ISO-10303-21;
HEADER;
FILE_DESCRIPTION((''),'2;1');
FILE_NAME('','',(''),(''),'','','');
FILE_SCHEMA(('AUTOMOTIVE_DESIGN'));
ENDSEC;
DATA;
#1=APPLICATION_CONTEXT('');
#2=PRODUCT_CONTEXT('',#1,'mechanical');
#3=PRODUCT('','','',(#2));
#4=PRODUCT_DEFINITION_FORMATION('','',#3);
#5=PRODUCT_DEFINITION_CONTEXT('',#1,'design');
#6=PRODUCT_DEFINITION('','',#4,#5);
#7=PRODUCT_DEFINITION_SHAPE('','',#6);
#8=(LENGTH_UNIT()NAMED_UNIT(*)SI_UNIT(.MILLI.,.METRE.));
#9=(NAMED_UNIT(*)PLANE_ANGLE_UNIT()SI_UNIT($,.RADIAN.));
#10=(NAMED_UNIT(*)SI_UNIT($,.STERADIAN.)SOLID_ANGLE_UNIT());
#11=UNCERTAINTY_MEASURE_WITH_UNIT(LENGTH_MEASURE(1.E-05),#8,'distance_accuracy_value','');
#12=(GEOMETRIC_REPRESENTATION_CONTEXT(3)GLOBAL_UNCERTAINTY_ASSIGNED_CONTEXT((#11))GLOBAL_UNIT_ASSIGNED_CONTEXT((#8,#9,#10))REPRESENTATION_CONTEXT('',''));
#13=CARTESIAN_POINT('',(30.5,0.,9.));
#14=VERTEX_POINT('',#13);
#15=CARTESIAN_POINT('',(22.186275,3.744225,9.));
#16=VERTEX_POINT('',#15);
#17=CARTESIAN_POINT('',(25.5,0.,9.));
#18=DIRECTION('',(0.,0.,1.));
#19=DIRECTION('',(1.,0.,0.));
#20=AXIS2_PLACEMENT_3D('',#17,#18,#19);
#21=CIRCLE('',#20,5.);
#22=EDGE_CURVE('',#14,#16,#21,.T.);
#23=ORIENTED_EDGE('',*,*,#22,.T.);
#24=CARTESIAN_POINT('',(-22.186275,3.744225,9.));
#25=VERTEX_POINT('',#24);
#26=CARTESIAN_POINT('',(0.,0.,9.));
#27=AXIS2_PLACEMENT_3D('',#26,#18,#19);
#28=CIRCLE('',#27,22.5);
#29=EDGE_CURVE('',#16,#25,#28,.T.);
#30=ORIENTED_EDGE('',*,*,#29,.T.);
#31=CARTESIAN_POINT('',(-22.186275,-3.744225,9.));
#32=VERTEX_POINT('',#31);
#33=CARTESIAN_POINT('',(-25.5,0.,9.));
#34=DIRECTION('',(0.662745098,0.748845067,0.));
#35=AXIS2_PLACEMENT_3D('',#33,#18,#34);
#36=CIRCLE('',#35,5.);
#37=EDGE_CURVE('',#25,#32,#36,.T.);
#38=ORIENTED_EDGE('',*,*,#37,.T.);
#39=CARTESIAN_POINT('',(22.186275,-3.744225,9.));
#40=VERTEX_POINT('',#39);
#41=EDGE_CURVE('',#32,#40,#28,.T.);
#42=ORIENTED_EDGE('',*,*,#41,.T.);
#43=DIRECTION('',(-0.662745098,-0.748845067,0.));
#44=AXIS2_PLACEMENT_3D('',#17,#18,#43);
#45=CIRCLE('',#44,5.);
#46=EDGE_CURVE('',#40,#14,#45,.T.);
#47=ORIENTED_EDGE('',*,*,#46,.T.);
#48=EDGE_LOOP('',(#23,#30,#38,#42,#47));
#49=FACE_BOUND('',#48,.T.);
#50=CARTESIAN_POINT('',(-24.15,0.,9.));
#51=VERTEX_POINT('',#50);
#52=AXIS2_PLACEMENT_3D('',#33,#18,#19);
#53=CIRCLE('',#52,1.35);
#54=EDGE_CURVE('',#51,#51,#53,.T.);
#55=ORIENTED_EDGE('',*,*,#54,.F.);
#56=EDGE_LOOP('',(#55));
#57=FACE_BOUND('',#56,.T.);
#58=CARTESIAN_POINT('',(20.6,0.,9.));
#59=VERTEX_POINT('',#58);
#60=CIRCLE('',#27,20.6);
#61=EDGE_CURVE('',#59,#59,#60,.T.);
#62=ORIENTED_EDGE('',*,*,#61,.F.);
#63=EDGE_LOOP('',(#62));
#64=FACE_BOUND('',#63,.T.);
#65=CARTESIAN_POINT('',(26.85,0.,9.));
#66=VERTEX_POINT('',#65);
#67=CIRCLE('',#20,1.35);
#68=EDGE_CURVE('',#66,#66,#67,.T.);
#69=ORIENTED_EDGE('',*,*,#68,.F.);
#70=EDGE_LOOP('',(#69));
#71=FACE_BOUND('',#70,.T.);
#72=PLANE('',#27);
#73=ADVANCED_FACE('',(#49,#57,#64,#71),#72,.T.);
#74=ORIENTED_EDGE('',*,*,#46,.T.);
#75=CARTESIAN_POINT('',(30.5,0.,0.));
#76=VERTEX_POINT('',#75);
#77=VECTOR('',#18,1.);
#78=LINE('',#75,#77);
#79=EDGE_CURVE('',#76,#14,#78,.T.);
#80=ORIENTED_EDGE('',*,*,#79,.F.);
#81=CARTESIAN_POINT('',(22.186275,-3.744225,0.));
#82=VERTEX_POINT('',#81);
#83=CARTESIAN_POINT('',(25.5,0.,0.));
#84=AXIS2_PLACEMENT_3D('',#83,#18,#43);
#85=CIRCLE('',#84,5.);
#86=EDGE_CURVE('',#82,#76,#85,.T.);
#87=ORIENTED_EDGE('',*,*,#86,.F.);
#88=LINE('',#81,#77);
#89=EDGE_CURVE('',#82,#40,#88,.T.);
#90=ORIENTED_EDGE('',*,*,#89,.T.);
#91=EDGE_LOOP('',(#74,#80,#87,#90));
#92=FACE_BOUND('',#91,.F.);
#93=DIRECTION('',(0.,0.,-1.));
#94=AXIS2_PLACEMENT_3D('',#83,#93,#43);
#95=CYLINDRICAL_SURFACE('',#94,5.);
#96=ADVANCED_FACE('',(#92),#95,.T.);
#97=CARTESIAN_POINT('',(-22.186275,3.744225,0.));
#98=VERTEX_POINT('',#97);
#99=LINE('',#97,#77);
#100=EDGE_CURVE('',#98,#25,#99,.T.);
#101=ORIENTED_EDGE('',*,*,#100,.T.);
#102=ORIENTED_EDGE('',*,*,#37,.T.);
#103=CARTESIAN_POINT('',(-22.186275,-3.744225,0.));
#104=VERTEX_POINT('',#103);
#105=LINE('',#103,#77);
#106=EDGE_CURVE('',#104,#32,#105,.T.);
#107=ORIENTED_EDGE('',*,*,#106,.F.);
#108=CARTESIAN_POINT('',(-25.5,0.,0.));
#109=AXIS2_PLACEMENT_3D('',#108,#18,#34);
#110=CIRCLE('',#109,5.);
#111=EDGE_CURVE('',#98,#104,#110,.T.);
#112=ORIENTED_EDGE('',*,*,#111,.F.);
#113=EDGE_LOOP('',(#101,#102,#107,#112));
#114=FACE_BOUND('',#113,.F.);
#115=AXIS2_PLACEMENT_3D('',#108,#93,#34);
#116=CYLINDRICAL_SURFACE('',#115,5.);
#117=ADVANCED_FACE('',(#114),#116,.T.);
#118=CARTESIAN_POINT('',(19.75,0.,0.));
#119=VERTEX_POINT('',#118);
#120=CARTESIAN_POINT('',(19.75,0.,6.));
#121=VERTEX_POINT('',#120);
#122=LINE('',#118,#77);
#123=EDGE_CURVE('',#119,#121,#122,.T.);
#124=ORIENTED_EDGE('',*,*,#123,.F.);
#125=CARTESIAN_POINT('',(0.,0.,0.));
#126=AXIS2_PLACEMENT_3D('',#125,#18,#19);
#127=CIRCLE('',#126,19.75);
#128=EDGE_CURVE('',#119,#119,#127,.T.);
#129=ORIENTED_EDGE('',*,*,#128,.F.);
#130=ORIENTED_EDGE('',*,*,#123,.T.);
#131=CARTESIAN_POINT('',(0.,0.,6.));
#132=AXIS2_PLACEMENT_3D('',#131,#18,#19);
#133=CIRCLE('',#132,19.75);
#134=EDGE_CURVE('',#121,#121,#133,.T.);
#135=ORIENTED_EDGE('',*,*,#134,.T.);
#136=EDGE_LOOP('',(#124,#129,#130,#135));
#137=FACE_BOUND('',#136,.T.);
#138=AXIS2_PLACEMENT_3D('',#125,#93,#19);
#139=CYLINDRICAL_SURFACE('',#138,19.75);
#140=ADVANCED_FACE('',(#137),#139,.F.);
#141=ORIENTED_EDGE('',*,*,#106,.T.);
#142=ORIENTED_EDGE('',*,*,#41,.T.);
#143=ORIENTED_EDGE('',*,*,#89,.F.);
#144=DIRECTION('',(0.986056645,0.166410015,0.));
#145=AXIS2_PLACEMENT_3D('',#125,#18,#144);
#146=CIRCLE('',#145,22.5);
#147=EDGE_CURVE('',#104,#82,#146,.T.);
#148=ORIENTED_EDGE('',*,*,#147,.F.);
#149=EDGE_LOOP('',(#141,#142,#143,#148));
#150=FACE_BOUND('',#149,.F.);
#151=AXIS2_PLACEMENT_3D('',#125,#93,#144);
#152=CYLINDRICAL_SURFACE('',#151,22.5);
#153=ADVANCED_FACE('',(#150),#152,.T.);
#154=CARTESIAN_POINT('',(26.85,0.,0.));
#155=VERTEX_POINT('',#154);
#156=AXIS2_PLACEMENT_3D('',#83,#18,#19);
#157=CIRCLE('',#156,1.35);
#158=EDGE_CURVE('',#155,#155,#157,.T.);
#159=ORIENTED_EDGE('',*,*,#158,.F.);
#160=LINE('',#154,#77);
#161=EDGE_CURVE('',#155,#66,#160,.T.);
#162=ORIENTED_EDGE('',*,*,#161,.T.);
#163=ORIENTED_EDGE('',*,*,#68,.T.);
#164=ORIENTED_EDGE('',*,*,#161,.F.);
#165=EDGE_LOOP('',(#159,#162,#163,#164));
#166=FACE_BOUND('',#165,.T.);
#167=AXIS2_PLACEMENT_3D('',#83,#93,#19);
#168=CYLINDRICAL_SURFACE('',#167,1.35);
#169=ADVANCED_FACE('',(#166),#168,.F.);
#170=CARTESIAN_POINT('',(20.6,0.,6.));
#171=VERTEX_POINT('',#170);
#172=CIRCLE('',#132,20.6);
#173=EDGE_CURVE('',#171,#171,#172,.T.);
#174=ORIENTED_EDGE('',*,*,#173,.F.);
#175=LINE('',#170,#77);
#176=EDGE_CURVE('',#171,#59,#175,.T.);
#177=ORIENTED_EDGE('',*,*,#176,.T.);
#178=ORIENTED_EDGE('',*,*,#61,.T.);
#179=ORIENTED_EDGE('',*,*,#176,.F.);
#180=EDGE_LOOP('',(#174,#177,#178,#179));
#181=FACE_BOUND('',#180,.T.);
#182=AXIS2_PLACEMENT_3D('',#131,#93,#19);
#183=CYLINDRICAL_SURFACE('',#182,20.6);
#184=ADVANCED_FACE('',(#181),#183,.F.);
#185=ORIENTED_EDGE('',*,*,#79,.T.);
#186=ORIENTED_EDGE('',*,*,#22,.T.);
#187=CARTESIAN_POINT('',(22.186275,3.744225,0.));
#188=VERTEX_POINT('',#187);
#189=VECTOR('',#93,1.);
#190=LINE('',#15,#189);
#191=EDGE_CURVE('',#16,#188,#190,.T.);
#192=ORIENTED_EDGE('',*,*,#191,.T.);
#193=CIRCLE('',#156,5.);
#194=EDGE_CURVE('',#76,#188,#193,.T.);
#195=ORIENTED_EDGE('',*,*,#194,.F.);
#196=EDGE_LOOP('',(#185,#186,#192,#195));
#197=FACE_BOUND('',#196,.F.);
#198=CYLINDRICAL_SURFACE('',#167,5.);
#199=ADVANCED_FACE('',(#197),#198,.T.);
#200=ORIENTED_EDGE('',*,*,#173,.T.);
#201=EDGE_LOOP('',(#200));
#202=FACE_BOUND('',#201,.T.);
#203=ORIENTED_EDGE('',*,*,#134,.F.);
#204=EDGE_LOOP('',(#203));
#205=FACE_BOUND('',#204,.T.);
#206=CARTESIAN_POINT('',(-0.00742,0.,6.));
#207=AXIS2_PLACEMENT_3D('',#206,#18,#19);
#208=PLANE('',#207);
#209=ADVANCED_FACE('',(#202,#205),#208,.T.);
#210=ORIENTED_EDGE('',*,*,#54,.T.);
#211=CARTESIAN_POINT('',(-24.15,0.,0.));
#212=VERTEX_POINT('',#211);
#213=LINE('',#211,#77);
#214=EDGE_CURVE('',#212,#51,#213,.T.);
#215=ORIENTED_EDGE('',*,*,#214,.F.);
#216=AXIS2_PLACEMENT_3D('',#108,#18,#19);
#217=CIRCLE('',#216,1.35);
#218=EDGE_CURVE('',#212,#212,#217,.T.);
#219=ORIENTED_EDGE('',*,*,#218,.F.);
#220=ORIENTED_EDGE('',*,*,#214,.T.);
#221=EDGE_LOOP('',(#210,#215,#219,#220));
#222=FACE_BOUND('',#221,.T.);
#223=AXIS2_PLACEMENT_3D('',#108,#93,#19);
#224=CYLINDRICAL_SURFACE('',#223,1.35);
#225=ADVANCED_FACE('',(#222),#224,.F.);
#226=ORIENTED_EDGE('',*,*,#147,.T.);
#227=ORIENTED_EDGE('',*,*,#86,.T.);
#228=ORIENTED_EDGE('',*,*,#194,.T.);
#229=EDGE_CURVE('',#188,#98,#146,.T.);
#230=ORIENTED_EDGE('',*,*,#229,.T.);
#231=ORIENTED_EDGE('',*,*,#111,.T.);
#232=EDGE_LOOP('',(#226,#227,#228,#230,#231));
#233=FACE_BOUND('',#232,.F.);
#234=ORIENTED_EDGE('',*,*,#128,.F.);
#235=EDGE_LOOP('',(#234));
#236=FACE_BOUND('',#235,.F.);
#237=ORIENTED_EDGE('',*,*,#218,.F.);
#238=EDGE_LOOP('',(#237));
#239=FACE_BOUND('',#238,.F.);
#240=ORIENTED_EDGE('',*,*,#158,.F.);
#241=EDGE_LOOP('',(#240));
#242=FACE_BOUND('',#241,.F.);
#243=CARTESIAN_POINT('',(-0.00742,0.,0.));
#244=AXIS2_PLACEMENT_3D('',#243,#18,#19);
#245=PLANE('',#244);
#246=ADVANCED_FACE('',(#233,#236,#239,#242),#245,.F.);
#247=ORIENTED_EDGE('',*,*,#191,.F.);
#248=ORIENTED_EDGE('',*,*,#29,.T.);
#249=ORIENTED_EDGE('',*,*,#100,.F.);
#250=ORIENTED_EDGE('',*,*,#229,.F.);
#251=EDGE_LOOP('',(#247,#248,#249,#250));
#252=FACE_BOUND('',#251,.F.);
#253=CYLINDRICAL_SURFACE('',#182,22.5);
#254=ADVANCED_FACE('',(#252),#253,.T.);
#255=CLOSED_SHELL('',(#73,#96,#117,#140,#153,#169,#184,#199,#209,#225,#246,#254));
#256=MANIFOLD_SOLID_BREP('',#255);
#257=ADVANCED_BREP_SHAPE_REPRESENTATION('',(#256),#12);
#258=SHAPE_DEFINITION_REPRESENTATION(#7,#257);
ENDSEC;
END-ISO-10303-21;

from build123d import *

# Parameters (mm, degrees)
F0_R     = 1.35
F1_DEPTH = 9
F0_R_2   = 19.75
F2_DEPTH = 6
F3_R     = 22.5
F3_R_2   = 20.6
F4_DEPTH = 3


with BuildPart() as f1:
    # F0 (on Top) → F1 (new body)
    with BuildSketch(Plane.XY):
        with BuildLine():
            ThreePointArc((-22.1862745098, -3.7442253372), (-22.5, 0), (-22.1862745098, 3.7442253372))
            ThreePointArc((-22.1862745098, 3.7442253372), (-30.5, 0), (-22.1862745098, -3.7442253372))
        make_face()
        with Locations((-25.5, 0)):
            Circle(F0_R, mode=Mode.SUBTRACT)
    extrude(amount=F1_DEPTH)



with BuildPart() as f1b:
    # F0 (on Top) → F1, piece 2 (new body)
    with BuildSketch(Plane.XY):
        with BuildLine():
            ThreePointArc((22.1862745098, 3.7442253372), (22.4214314493, 1.8786728733), (22.5, 0))
            ThreePointArc((22.5, 0), (22.4214314493, -1.8786728733), (22.1862745098, -3.7442253372))
            ThreePointArc((22.1862745098, -3.7442253372), (27.5532136456, -4.5589816544), (30.5, 0))
            ThreePointArc((30.5, 0), (27.5532136456, 4.5589816544), (22.1862745098, 3.7442253372))
        make_face()
        with Locations((25.5, 0)):
            Circle(F0_R, mode=Mode.SUBTRACT)
    extrude(amount=F1_DEPTH)


with BuildPart() as f2:
    # F0 (on Top) → F2 (new body)
    with BuildSketch(Plane.XY):
        with BuildLine():
            ThreePointArc((22.1862745098, -3.7442253372), (20.5, 0), (22.1862745098, 3.7442253372))
            ThreePointArc((22.1862745098, 3.7442253372), (0, 22.5), (-22.1862745098, 3.7442253372))
            ThreePointArc((-22.1862745098, 3.7442253372), (-20.9410183456, 2.0532136456), (-20.5, 0))
            ThreePointArc((-20.5, 0), (-20.9410183456, -2.0532136456), (-22.1862745098, -3.7442253372))
            ThreePointArc((-22.1862745098, -3.7442253372), (0, -22.5), (22.1862745098, -3.7442253372))
        make_face()
        Circle(F0_R_2, mode=Mode.SUBTRACT)
        with BuildLine():
            ThreePointArc((22.1862745098, -3.7442253372), (22.4214314493, -1.8786728733), (22.5, 0))
            ThreePointArc((22.5, 0), (22.4214314493, 1.8786728733), (22.1862745098, 3.7442253372))
            ThreePointArc((22.1862745098, 3.7442253372), (20.5, 0), (22.1862745098, -3.7442253372))
        make_face()
        with BuildLine():
            ThreePointArc((-20.5, 0), (-20.9410183456, 2.0532136456), (-22.1862745098, 3.7442253372))
            ThreePointArc((-22.1862745098, 3.7442253372), (-22.5, 0), (-22.1862745098, -3.7442253372))
            ThreePointArc((-22.1862745098, -3.7442253372), (-20.9410183456, -2.0532136456), (-20.5, 0))
        make_face()
    extrude(amount=F2_DEPTH)


with BuildPart() as f1_1:
    add(f1.part)

    add(f1b.part)  # F4 merges F1b

    add(f2.part)  # F4 merges F2
    # F3 (on face) → F4 (join)
    with BuildSketch(Plane.XY.offset(6)):
        Circle(F3_R)
        Circle(F3_R_2, mode=Mode.SUBTRACT)
    extrude(amount=F4_DEPTH)


solid = f1_1.part
